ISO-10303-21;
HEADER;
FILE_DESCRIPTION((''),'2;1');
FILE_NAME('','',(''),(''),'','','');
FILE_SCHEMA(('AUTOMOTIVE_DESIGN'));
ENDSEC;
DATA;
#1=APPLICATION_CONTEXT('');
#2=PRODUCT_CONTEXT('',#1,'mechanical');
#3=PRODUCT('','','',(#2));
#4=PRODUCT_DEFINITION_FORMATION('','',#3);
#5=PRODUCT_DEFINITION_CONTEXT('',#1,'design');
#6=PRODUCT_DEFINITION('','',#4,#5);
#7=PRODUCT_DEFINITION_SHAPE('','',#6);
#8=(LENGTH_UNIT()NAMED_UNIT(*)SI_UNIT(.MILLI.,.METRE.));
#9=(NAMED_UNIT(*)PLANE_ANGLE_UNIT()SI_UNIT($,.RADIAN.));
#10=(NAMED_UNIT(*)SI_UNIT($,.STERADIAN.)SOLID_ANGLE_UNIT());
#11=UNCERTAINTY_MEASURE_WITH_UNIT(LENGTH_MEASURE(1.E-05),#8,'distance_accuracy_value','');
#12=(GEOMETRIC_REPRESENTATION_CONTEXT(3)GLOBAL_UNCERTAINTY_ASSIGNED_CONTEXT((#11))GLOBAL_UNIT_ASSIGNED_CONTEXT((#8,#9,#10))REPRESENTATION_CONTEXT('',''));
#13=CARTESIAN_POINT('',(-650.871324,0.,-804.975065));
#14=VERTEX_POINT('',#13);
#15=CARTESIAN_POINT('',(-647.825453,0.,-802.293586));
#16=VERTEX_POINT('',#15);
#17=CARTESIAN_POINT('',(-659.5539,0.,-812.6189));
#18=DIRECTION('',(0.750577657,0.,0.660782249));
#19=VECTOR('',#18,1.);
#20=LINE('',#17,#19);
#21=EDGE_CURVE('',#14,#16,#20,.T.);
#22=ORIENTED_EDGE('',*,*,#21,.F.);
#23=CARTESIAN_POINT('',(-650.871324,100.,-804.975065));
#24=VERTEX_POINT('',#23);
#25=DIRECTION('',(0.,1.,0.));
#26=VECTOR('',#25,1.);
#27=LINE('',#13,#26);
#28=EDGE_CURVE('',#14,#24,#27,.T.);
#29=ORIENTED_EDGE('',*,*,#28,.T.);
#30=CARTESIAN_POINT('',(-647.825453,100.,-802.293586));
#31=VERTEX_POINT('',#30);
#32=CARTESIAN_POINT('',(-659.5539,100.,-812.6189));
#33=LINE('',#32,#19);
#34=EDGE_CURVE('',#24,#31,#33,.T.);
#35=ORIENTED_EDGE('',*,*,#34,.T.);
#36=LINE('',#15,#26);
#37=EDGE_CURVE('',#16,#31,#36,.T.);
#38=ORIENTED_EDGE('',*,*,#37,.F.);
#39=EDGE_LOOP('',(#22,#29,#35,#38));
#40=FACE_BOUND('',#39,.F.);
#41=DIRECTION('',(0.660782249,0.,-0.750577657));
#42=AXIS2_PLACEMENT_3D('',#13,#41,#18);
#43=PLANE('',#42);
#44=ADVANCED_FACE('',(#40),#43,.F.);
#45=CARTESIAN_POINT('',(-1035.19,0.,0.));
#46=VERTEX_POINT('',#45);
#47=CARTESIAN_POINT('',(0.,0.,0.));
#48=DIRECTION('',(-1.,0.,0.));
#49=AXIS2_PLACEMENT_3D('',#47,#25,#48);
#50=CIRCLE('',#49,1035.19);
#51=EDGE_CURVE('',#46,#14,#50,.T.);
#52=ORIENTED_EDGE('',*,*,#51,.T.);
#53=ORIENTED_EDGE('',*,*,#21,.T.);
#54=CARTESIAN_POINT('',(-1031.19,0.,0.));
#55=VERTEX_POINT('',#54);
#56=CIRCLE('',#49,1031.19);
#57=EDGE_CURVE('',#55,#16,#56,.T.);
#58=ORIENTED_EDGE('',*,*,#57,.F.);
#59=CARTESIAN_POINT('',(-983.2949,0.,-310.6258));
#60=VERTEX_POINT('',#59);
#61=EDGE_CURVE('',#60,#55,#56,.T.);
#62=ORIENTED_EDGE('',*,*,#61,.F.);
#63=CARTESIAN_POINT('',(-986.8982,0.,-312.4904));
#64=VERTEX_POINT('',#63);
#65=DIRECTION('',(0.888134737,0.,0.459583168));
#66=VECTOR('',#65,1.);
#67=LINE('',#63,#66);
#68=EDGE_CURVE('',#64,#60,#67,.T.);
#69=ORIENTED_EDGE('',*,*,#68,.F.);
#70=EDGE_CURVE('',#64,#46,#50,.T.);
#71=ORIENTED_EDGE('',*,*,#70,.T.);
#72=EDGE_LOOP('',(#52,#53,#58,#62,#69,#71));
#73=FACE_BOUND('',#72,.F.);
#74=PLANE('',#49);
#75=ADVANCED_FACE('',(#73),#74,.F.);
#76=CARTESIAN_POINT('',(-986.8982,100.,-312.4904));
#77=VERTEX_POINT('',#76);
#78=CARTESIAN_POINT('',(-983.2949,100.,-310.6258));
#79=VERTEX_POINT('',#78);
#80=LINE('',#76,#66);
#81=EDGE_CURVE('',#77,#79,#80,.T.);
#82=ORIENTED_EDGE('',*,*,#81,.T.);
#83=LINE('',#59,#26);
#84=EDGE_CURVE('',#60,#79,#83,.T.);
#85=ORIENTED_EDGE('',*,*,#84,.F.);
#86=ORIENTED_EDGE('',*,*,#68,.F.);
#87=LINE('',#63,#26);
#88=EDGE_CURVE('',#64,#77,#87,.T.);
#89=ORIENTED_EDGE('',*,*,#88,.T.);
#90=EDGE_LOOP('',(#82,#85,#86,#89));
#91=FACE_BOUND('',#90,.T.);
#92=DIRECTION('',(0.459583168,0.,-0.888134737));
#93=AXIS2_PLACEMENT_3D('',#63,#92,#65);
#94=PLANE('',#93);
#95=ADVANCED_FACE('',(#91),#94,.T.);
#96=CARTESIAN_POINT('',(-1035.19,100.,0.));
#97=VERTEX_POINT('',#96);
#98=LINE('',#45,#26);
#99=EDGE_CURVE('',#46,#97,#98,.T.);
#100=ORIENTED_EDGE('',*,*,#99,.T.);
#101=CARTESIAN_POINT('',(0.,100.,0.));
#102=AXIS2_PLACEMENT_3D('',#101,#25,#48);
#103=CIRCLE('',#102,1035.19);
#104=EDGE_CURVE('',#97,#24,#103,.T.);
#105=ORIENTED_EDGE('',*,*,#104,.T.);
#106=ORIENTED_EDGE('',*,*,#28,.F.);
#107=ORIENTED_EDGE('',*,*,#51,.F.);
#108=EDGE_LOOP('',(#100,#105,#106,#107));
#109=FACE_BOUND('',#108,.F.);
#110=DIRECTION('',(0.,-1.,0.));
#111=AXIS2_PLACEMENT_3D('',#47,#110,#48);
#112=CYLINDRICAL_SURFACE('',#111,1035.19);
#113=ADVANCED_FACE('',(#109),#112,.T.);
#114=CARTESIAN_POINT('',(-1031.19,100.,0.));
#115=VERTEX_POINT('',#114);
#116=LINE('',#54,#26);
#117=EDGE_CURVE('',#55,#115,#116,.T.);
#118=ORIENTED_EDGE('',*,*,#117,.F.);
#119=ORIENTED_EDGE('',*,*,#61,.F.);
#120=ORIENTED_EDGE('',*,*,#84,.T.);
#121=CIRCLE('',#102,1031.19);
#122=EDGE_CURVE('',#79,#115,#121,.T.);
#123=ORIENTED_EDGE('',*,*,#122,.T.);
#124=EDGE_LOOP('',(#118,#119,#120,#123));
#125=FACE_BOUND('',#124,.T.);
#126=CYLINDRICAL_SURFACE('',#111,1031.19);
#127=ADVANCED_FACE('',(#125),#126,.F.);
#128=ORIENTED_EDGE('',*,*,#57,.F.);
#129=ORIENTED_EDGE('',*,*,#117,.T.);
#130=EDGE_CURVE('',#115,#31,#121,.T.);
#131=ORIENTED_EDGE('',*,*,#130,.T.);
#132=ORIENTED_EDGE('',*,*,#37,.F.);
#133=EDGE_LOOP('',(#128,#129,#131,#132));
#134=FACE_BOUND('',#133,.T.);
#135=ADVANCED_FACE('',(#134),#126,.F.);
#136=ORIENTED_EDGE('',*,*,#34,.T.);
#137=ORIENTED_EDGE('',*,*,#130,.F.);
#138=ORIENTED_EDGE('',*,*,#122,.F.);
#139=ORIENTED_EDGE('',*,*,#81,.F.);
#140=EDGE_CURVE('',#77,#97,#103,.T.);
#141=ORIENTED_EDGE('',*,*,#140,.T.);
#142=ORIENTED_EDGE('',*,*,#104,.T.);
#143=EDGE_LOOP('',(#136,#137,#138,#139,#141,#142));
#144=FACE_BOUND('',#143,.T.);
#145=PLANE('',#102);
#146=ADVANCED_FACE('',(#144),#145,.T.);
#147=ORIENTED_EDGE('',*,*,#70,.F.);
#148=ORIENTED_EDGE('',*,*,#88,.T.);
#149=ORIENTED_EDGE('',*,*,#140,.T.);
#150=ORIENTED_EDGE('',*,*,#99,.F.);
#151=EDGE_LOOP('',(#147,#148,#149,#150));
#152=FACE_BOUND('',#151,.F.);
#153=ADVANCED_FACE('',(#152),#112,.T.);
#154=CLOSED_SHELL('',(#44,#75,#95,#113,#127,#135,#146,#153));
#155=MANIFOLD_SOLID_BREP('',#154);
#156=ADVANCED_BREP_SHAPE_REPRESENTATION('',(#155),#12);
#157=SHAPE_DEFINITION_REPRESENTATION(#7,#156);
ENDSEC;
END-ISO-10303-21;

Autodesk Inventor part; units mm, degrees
ref_plane "YZ Plane" through (0, 0, 0) normal (1, 0, 0) x (0, 1, 0)
ref_plane "XZ Plane" through (0, 0, 0) normal (0, 1, 0) x (-1, 0, 0)
ref_plane "XY Plane" through (0, 0, 0) normal (0, 0, 1) x (1, 0, 0)
sketch "Sketch1" plane through (0, 0, 0) normal (0, 1, 0) x (-1, 0, 0)
  circle A0 centre (0, 0) radius 1031.19
  circle A1 centre (0, 0) radius 1035.19
  dimension "d0" = 2062.38
  dimension "d1" = 2070.38
extrude "Extrusion1" add sketch "Sketch1" along normal blind 100
sketch "Sketch2" plane through (0, 0, 0) normal (0, -1, 0) x (1, 0, 0)
  line L0 (-983.2949, -310.6258) -> (-448.7923, -34.0427) projected
  line L1 (-195.6325, -404.1967) -> (-647.2539, -801.7903) projected
  line L2 (-659.5539, -812.6189) -> (-642.0164, -797.1795)
  circle A0 centre (0, 0) radius 1035.19 projected
  line L3 (-986.8982, -312.4904) -> (-983.2949, -310.6258)
  circle A1 centre (0, 0) radius 1031.19 projected
  point P0 (-647.8255, -802.2936)
  point P1 (-983.293, -310.6248)
  point P2 (-650.8713, -804.9751)
extrude "Extrusion2" cut sketch "Sketch2" against normal blind 100 contours A0 L3 A1 L2 picked at (-659.8337, -793.9246)
properties part number "Edge Band - Platform B Outer" material "Wood (Birch)"
